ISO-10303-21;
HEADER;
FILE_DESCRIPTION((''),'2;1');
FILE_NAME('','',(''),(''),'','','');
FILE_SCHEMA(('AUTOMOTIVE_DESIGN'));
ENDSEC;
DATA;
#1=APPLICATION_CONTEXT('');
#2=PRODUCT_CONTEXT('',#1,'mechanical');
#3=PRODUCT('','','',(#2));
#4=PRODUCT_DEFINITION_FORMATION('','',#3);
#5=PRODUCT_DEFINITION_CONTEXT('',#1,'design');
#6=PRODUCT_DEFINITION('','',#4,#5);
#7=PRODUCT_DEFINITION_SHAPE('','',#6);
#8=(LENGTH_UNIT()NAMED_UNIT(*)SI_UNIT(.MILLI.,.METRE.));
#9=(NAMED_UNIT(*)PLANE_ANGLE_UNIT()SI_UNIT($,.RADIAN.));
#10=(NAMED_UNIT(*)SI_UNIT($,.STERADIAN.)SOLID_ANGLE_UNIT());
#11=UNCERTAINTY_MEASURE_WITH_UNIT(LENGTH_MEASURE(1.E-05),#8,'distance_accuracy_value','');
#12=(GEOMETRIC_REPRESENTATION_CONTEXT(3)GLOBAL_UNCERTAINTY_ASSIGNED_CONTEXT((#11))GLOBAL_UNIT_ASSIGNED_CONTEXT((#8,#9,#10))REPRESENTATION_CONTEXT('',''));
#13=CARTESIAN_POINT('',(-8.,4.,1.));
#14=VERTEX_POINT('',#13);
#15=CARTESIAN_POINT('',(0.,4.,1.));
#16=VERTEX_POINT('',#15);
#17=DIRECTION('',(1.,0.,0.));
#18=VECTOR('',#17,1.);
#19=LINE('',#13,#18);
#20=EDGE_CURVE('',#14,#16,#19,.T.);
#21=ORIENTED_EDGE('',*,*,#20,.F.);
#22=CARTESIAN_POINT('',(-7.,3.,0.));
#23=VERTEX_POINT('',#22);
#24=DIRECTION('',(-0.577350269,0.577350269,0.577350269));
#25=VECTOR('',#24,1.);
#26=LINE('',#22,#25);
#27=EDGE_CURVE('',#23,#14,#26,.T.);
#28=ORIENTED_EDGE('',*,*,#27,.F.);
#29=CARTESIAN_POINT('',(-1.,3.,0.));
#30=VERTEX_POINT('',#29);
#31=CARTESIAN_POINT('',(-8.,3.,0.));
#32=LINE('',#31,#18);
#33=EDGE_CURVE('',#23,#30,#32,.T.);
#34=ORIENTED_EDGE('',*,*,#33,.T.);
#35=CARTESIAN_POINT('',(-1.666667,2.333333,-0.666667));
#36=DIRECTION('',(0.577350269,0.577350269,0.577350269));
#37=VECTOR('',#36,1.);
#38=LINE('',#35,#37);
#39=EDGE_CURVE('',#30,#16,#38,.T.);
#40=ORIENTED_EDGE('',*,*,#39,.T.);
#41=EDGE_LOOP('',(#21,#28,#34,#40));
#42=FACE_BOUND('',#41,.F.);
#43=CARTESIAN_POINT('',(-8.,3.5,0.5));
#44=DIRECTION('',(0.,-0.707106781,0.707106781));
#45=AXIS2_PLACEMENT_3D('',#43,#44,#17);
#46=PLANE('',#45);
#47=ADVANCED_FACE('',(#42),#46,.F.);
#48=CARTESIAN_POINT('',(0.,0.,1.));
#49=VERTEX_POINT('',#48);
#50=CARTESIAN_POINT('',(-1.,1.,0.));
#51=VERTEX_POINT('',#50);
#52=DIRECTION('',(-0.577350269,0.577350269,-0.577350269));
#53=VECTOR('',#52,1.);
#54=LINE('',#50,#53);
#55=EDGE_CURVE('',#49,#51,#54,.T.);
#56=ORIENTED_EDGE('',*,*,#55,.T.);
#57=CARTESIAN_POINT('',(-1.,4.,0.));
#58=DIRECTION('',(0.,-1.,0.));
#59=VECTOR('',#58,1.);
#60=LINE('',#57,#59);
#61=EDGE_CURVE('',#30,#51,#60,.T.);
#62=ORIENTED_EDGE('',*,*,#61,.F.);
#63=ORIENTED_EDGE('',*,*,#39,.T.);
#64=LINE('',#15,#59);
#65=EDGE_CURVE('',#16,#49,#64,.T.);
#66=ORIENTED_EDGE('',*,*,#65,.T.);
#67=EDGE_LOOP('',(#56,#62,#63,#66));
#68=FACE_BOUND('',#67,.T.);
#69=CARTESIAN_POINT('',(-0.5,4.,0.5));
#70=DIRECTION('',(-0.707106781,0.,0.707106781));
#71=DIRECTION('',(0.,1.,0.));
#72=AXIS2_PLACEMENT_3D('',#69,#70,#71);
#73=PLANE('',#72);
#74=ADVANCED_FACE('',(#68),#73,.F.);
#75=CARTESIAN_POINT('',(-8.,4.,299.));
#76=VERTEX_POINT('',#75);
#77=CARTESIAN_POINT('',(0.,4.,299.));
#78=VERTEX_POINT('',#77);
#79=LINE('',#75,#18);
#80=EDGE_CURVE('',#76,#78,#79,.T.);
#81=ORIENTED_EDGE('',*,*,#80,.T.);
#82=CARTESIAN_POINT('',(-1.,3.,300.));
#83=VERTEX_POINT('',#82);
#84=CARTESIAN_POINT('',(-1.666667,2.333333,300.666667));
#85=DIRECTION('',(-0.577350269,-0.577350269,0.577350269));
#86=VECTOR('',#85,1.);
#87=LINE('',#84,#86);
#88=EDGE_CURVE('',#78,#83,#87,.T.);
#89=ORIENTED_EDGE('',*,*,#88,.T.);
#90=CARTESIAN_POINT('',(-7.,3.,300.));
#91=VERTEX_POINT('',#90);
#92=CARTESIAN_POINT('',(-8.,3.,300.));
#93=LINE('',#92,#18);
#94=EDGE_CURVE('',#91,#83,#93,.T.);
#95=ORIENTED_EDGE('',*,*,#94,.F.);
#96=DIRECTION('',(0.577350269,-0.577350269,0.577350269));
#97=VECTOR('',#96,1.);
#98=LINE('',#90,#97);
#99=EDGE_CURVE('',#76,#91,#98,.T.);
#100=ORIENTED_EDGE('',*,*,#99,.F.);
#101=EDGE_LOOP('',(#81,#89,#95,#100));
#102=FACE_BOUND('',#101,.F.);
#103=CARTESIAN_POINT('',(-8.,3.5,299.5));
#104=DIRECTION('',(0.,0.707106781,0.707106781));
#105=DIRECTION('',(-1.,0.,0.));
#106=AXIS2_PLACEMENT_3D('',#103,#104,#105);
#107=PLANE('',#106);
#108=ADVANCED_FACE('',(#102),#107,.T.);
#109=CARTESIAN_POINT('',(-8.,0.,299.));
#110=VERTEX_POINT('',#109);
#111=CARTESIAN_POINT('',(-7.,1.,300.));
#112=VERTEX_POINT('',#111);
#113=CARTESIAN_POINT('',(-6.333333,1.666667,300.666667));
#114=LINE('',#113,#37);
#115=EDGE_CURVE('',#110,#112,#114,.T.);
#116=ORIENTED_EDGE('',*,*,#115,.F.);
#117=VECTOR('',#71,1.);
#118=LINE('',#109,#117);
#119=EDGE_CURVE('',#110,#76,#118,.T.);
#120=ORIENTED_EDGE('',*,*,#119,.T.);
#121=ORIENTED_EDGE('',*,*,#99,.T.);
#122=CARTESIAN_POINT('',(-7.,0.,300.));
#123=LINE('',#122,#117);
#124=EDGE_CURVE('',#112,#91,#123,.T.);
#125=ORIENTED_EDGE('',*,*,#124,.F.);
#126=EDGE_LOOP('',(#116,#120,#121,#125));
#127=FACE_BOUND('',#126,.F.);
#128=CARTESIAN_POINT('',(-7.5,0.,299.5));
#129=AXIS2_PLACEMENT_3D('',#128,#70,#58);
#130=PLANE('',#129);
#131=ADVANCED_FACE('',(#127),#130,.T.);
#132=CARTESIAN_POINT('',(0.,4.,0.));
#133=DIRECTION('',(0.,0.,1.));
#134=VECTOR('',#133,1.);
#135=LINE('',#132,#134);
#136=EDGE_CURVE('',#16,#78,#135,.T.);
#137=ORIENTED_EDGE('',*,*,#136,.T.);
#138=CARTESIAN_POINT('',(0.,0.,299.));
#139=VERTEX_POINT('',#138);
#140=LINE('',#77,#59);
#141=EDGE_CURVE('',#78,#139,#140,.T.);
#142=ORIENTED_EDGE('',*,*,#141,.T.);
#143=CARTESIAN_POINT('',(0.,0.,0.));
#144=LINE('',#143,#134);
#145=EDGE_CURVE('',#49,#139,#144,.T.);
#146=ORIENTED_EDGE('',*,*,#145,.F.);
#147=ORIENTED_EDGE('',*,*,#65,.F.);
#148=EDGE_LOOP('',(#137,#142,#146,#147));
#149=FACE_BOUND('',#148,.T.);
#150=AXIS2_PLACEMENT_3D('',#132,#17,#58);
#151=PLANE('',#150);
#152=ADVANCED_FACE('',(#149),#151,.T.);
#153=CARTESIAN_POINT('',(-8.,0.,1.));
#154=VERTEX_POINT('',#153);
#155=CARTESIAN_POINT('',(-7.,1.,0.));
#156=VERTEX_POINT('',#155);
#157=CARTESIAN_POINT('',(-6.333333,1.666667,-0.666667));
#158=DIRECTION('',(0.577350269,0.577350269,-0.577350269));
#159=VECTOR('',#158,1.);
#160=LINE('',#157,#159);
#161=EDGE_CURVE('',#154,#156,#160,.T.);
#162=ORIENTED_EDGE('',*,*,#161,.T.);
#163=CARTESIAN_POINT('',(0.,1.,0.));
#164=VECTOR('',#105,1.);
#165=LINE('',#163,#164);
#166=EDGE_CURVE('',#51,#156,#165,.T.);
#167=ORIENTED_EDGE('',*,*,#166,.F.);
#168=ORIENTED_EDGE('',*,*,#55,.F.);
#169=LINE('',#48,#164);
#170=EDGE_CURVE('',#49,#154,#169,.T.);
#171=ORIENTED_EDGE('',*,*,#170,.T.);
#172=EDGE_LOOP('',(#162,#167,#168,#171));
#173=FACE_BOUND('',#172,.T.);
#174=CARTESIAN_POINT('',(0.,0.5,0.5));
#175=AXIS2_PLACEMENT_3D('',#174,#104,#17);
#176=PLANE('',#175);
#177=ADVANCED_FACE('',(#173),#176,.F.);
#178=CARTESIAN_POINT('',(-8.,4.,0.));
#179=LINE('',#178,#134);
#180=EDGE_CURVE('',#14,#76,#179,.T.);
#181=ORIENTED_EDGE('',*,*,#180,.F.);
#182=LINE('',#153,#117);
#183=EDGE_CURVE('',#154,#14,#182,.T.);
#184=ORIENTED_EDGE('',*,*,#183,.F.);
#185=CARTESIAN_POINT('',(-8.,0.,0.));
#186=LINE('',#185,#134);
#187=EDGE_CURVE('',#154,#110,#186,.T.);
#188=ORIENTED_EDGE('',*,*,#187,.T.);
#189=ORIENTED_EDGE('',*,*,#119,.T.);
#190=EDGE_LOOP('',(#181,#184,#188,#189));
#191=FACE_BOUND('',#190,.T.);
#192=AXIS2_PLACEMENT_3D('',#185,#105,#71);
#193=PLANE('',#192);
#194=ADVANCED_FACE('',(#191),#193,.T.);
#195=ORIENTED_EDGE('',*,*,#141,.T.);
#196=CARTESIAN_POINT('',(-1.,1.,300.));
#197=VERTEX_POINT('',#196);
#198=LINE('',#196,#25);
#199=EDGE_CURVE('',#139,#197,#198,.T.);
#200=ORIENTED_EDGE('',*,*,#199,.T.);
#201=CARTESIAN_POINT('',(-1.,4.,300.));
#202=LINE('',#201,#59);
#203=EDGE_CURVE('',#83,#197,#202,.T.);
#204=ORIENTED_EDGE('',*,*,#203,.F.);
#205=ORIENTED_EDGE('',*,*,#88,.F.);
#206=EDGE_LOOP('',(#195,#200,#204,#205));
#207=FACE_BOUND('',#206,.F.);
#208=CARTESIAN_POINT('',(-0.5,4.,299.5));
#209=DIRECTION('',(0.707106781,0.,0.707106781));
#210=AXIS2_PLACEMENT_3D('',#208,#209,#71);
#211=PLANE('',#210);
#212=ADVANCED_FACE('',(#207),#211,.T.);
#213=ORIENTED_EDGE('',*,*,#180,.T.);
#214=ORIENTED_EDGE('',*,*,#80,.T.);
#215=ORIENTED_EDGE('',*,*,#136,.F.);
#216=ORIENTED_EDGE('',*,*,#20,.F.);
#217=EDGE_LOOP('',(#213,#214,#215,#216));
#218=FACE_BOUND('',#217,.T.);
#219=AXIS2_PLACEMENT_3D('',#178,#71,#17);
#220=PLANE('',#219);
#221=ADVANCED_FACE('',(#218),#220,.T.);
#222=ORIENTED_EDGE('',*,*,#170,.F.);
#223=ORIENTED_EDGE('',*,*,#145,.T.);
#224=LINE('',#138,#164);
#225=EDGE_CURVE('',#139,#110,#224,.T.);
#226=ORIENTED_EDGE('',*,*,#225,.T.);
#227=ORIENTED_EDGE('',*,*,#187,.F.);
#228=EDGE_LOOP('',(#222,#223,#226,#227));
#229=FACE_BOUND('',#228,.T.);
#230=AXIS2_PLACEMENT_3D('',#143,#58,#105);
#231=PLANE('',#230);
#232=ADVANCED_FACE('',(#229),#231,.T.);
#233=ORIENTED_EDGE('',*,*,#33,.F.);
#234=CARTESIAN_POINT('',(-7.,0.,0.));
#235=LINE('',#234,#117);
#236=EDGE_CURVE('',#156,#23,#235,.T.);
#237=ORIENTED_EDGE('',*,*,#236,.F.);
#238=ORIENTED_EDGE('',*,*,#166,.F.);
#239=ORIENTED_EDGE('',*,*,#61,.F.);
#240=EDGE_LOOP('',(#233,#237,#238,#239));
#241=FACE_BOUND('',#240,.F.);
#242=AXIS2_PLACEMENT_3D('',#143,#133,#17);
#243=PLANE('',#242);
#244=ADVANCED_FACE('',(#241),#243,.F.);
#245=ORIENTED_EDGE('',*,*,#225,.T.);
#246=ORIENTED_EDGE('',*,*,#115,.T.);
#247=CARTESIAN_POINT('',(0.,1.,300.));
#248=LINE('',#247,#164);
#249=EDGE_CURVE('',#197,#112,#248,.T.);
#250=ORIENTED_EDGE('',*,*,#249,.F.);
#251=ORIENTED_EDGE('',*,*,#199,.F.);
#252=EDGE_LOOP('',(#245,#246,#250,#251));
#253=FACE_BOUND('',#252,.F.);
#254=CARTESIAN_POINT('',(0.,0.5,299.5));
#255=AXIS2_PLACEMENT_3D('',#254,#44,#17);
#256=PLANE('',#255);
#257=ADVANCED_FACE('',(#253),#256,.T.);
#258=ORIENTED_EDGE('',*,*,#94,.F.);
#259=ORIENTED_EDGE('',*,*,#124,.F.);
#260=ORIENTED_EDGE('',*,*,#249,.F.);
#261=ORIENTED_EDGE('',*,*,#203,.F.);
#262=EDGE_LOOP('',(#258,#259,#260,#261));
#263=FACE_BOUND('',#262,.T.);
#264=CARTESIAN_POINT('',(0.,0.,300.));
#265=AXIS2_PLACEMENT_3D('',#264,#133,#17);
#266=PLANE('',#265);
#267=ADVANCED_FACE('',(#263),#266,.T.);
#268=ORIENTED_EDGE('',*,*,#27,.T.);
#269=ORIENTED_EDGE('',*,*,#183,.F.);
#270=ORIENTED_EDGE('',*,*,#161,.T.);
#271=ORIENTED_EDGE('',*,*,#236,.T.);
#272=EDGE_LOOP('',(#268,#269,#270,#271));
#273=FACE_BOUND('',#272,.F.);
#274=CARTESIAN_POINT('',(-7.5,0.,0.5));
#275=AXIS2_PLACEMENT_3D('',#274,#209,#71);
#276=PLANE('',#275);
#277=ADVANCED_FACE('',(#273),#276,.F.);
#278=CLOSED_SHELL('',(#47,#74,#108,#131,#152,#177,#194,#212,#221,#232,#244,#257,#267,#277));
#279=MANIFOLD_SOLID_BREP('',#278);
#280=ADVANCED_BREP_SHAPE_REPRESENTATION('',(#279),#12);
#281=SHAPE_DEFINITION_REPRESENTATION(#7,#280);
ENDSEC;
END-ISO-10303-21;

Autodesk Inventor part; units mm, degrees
ref_plane "YZ Plane" through (0, 0, 0) normal (1, 0, 0) x (0, 1, 0)
ref_plane "XZ Plane" through (0, 0, 0) normal (0, 1, 0) x (-1, 0, 0)
ref_plane "XY Plane" through (0, 0, 0) normal (0, 0, 1) x (1, 0, 0)
sketch "Sketch1" plane through (0, 0, 0) normal (0, 0, 1) x (1, 0, 0)
  line L0 (0, 0) -> (-8, 0)
  line L1 (-8, 0) -> (-8, 4)
  line L2 (-8, 4) -> (0, 4)
  line L3 (0, 4) -> (0, 0)
  dimension "d0" = 8
  dimension "d1" = 4
extrude "Extrusion1" add sketch "Sketch1" along normal blind 300
chamfer "Chamfer1" distance 1 angle 45 4 edges at (-4, 4, 300) (0, 2, 300) (-4, 0, 300) (-8, 2, 300)
chamfer "Chamfer2" distance 1 angle 45 4 edges at (-4, 4, 0) (0, 2, 0) (-4, 0, 0) (-8, 2, 0)
properties part number "Elbow_Both_Rod_V1"
